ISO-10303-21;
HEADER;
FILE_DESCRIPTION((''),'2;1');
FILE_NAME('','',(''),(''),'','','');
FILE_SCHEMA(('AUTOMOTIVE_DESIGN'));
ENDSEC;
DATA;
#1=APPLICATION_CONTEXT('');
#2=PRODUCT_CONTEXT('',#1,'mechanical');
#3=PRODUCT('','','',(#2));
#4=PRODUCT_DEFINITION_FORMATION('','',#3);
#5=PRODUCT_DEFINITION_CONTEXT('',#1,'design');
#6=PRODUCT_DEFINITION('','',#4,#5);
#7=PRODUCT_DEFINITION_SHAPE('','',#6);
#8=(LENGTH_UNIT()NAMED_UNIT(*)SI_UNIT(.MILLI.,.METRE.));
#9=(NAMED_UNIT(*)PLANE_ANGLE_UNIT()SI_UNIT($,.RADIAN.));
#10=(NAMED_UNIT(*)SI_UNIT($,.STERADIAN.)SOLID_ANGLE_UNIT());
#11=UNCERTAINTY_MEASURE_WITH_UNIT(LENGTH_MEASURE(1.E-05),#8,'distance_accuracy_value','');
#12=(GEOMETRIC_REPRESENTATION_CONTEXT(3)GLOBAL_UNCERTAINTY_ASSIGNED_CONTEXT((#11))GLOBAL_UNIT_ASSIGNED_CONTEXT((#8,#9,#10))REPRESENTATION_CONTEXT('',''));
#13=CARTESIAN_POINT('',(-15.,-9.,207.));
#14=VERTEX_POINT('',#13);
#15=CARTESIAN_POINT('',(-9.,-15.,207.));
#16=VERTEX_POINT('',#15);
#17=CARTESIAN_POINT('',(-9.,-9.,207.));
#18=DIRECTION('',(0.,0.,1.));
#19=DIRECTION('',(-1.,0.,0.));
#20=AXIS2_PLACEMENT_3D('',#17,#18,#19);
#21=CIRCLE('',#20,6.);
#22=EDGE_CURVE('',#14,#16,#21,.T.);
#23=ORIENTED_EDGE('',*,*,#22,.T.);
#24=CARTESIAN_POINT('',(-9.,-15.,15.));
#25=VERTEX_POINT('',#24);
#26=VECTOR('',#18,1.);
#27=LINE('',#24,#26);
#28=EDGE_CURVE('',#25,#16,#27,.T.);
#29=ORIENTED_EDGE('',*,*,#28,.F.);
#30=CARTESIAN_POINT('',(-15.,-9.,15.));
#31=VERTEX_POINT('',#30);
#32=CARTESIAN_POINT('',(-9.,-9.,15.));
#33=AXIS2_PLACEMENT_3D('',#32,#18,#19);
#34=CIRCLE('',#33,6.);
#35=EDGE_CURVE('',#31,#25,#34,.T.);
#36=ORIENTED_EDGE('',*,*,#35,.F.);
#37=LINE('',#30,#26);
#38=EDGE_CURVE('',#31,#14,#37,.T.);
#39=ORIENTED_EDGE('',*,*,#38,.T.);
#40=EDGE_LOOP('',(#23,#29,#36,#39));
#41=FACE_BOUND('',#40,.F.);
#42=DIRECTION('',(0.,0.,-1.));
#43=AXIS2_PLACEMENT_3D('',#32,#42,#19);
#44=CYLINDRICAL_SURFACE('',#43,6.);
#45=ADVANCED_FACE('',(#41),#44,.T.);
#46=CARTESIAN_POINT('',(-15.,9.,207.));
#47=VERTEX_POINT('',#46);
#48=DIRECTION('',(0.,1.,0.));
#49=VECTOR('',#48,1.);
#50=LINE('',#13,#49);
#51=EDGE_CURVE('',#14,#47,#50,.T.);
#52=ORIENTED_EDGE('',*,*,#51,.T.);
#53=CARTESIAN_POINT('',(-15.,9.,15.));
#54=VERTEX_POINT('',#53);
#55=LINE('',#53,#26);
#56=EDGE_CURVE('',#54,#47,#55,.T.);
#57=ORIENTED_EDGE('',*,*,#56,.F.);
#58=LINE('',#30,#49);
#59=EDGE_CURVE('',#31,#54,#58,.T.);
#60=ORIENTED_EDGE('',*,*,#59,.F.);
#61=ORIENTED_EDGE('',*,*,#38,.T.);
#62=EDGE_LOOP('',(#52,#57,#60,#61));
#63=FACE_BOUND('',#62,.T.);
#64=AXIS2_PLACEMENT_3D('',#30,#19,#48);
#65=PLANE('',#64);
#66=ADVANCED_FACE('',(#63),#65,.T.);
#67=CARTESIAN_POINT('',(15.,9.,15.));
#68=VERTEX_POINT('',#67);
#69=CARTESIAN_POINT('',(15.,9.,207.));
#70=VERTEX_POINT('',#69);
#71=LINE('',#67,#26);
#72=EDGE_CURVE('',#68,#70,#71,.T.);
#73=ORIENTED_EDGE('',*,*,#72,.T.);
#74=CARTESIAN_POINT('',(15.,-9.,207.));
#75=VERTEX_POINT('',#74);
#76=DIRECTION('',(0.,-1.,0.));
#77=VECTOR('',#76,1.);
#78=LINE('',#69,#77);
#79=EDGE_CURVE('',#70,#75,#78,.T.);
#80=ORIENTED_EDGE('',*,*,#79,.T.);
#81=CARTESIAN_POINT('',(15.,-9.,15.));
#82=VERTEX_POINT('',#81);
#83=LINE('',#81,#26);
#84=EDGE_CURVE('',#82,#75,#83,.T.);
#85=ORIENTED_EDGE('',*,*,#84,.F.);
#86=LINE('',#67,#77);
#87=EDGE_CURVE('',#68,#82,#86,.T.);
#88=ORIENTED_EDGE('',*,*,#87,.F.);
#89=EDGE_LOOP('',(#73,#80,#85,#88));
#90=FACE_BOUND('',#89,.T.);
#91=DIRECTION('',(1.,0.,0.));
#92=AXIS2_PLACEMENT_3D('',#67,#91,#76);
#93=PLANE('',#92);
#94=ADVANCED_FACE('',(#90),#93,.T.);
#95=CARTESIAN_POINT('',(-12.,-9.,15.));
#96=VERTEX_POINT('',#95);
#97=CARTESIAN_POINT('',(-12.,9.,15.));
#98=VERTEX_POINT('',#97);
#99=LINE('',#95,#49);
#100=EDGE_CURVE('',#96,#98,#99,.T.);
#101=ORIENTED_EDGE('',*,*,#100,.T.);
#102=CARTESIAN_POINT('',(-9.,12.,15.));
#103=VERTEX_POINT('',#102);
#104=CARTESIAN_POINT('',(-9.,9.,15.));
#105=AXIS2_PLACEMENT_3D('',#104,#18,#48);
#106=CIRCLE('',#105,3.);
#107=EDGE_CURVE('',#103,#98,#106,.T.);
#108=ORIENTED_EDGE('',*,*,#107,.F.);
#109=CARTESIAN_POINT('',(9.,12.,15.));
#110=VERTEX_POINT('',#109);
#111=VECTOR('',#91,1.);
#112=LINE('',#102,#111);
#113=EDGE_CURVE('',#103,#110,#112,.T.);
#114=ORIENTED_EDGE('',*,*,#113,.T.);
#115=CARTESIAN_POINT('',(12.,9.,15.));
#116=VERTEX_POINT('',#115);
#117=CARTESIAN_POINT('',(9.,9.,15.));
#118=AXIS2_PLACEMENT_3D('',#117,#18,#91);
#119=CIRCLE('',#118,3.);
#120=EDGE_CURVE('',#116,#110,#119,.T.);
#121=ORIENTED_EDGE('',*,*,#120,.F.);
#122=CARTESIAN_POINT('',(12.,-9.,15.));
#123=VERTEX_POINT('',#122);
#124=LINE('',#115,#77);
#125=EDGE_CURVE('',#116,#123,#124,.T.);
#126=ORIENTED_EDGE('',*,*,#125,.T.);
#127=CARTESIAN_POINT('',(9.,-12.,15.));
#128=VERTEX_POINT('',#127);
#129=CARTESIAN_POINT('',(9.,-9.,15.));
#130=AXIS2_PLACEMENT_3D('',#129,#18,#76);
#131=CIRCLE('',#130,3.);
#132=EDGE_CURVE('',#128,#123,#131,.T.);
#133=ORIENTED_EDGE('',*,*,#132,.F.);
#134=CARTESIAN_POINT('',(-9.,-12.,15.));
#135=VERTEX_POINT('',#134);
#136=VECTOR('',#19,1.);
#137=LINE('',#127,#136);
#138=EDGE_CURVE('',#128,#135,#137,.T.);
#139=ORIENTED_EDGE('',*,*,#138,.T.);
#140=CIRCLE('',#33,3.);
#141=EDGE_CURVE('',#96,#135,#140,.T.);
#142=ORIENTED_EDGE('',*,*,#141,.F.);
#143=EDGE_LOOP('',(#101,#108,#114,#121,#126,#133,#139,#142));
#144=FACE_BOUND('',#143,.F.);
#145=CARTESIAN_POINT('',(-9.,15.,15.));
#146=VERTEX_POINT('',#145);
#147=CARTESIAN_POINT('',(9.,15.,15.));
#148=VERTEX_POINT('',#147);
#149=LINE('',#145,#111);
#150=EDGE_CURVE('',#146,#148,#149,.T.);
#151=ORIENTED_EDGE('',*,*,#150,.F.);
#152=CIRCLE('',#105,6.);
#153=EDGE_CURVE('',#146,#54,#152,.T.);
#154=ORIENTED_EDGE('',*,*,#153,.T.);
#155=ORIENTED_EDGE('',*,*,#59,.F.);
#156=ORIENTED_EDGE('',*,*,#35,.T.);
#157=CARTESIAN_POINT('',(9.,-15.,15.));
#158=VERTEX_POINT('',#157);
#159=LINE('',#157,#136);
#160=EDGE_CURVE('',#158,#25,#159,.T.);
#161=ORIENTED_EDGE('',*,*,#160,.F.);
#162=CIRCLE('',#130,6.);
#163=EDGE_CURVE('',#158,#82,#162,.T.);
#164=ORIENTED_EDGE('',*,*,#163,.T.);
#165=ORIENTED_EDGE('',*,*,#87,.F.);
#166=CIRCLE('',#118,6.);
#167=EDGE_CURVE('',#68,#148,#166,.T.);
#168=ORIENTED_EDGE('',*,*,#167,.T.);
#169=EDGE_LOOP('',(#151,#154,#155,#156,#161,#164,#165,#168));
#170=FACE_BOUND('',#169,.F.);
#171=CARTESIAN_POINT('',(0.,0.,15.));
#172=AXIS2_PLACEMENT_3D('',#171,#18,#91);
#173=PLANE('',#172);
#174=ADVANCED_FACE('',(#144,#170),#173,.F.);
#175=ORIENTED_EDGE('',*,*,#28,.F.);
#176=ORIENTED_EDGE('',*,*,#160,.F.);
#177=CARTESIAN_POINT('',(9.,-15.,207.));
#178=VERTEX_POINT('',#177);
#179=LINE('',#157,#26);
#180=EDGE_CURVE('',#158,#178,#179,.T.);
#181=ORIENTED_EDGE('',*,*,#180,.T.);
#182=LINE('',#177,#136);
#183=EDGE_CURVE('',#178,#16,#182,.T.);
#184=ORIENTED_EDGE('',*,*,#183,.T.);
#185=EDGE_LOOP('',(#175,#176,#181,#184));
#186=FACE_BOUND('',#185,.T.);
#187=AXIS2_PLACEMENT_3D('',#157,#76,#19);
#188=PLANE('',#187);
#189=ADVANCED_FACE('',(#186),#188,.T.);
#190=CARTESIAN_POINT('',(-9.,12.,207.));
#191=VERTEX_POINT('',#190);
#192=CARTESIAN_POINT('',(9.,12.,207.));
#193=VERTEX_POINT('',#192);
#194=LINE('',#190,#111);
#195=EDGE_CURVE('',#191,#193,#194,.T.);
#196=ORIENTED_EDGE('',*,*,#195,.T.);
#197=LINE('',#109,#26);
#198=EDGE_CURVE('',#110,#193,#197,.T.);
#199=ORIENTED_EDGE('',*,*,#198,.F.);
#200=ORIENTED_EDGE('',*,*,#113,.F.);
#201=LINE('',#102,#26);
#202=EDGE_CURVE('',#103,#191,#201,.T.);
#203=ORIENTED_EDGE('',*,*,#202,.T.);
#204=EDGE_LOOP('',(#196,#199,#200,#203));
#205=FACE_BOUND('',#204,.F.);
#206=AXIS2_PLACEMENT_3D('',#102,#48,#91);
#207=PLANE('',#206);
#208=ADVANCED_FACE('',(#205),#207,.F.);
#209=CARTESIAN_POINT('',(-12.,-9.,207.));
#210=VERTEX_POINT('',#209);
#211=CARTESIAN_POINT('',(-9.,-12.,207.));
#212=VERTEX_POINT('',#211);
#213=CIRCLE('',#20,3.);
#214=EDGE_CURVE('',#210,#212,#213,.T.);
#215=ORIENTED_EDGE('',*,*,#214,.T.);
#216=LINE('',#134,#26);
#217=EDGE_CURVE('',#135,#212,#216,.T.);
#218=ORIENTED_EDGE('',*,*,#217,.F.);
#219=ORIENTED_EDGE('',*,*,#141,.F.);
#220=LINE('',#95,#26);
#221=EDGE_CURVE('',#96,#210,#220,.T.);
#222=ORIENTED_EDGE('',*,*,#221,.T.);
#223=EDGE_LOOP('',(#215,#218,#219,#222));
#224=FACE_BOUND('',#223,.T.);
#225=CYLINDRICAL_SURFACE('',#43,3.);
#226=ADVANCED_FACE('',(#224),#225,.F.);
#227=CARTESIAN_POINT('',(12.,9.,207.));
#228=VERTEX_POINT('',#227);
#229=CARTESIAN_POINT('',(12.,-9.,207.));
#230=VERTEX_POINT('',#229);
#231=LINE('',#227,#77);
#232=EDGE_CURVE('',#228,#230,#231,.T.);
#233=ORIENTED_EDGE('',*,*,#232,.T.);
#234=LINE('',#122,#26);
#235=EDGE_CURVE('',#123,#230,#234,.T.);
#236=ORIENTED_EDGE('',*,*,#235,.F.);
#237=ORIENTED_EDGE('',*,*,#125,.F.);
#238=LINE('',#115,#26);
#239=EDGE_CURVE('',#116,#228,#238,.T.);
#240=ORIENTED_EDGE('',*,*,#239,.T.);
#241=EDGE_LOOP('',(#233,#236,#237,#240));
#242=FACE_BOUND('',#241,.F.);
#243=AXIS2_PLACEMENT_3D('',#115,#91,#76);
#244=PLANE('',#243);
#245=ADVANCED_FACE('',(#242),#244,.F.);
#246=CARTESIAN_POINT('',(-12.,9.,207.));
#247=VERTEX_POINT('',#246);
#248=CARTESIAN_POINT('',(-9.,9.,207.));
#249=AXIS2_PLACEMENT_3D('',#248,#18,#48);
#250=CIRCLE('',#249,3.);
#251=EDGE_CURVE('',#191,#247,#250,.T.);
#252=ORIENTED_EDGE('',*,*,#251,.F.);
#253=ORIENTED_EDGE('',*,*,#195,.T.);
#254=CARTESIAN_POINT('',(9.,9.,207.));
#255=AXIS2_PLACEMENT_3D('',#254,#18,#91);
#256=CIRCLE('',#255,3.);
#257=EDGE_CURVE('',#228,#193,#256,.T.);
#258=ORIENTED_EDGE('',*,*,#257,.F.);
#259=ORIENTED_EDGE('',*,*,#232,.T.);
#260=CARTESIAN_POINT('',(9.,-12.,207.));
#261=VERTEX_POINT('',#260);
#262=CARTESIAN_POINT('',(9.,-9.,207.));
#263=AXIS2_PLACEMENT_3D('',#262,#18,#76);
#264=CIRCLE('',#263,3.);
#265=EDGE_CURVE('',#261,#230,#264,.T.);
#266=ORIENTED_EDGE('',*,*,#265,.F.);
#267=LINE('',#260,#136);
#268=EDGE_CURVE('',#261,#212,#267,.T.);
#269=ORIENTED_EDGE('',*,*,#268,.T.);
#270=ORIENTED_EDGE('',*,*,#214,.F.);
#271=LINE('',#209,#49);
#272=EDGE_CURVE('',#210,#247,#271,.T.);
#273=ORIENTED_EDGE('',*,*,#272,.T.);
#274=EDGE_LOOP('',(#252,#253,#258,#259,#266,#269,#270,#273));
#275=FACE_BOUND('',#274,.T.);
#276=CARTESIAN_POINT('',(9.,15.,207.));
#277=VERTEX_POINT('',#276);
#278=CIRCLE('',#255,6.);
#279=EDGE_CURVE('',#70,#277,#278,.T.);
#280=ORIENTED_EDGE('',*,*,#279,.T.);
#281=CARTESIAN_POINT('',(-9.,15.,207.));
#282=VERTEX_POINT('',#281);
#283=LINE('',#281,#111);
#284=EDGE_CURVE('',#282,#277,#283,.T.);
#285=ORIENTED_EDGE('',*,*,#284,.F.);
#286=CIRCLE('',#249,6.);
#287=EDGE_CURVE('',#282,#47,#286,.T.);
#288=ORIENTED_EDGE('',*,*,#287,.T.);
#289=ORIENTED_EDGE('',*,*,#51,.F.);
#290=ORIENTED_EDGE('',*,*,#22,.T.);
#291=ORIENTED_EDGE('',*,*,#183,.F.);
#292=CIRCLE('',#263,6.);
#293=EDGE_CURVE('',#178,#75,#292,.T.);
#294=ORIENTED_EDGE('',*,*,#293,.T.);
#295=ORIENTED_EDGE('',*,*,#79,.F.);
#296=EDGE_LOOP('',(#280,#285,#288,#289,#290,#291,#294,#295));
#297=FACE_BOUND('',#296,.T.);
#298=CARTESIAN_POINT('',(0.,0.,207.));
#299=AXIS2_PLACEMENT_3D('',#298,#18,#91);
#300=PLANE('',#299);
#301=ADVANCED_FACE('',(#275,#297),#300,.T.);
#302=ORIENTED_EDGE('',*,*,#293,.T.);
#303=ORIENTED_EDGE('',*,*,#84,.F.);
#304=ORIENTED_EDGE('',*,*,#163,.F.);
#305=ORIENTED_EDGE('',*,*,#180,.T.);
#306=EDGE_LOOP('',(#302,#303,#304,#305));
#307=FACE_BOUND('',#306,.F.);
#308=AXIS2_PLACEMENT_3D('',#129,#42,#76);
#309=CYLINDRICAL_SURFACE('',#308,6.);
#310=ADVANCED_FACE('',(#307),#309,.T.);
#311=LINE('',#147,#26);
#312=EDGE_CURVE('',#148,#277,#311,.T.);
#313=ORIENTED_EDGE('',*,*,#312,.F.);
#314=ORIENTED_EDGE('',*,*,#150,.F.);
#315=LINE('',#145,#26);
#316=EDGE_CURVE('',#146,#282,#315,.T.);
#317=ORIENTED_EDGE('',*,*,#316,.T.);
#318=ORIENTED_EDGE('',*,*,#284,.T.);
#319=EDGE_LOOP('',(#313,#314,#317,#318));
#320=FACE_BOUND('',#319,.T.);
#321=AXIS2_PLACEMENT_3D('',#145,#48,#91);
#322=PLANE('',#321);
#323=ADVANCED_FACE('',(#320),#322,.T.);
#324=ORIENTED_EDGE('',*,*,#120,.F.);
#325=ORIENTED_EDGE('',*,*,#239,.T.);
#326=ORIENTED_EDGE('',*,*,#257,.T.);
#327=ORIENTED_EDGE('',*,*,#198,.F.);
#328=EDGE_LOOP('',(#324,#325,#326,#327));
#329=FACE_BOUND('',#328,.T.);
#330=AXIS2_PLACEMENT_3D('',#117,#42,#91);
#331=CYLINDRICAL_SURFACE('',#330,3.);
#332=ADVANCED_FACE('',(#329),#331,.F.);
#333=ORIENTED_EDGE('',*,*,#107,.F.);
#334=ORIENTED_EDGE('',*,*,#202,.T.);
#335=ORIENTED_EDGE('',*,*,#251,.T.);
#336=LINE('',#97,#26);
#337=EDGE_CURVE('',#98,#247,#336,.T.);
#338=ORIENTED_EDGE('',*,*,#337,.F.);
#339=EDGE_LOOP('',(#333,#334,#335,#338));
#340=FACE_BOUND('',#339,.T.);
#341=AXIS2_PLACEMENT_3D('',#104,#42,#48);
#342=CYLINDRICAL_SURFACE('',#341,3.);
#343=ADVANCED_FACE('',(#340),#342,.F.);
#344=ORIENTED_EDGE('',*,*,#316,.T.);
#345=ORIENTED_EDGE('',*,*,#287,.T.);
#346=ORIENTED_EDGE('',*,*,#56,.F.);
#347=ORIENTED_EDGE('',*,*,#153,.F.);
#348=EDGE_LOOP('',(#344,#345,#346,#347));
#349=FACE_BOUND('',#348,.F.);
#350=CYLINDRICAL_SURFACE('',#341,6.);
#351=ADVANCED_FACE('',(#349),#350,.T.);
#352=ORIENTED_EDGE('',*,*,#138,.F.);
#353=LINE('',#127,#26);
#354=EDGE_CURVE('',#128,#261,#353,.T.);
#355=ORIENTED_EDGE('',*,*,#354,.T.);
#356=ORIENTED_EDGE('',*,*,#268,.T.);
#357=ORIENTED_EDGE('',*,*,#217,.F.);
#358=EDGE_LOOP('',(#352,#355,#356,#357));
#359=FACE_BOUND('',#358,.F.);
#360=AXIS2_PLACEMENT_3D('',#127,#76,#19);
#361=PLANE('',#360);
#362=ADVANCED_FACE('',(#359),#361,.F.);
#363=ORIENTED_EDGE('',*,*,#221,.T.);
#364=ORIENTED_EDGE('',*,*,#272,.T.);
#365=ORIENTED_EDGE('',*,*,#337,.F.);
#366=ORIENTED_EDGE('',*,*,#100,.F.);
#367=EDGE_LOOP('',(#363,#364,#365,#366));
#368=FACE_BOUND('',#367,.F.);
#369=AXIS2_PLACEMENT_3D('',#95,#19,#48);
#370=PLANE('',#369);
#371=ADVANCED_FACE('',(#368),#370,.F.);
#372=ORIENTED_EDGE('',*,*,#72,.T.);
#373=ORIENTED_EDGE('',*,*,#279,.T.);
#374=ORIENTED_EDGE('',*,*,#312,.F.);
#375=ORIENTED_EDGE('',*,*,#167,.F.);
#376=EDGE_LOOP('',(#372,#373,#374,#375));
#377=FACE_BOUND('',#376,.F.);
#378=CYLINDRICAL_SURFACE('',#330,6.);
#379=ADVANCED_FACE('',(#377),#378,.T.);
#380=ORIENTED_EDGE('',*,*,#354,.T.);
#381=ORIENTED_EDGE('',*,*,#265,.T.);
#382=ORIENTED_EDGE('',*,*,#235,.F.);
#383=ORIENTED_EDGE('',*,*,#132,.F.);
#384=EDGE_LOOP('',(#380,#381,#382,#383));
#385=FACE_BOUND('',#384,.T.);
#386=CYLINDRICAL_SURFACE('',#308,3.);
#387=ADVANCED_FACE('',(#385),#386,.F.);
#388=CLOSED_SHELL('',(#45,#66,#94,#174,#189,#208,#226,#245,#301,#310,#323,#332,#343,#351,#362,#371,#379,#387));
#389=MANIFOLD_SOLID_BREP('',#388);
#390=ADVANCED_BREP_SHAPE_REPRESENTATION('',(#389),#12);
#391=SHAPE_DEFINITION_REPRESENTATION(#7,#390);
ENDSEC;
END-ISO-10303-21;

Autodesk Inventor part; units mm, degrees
ref_plane "Start Plane" through (0, 0, 15) normal (0, 0, 1) x (1, 0, 0)
ref_plane "End Plane" through (0, 0, 207) normal (0, 0, 1) x (1, 0, 0)
sketch "Sketch" plane through (0, 0, 0) normal (0, 0, 1) x (1, 0, 0)
  line L0 (-15, -9) -> (-15, 9)
  line L1 (-9, 15) -> (9, 15)
  line L2 (15, 9) -> (15, -9)
  line L3 (9, -15) -> (-9, -15)
  arc A0 (-15, -9) -> (-9, -15) centre (-9, -9) ccw
  arc A1 (-9, 15) -> (-15, 9) centre (-9, 9) ccw
  arc A2 (15, 9) -> (9, 15) centre (9, 9) ccw
  arc A3 (9, -15) -> (15, -9) centre (9, -9) ccw
  arc A4 (-9, 12) -> (-12, 9) centre (-9, 9) ccw
  line L4 (-9, 12) -> (9, 12)
  arc A5 (12, 9) -> (9, 12) centre (9, 9) ccw
  line L5 (12, 9) -> (12, -9)
  arc A6 (9, -12) -> (12, -9) centre (9, -9) ccw
  line L6 (9, -12) -> (-9, -12)
  arc A7 (-12, -9) -> (-9, -12) centre (-9, -9) ccw
  line L7 (-12, -9) -> (-12, 9)
  line L8 (0, 22.7397) -> (0, -22.7397) construction
  line L9 (-22.7397, 0) -> (22.7397, 0) construction
  dimension "d7" = 6
  dimension "d10" = 30
  dimension "d11" = 30
  dimension "d12" = 3
  dimension "d15" = 15
  dimension "d16" = 15
extrude "Body" add sketch "Sketch" along normal up to surface (192 mm away) from surface at 15
sketch "Sketch3" plane through (0, 0, 0) normal (0, 0, 1) x (1, 0, 0)
  line L0 (0, 0) -> (10, 0)
ref_plane "Work Plane3" through (0, 0, 0) normal (0, -1, 0) x (1, 0, 0)
ref_plane "Work Plane4" through (-9, -370, 15) normal (0, 0, -1) x (-1, 0, 0)
split "Split1" plane through (-9, -370, 15) removes the side toward (0, 0, -1)
ref_plane "Work Plane5" through (-9, 130, 207) normal (0, 0, 1) x (1, 0, 0)
split "Split2" plane through (-9, 130, 207) removes the side toward (0, 0, 1)
sketch "Sketch4" plane through (0, 0, 0) normal (0, -1, 0) x (1, 0, 0)
  line L0 (-2, 15) -> (12, 15) projected
  line L1 (-2, 207) -> (12, 207) projected
  dimension "d18" = 192
equation "\"d7\" = G_IR"
equation "\"d10\" = G_H"
equation "\"d11\" = G_W"
equation "\"d12\" = G_T"
equation "\"d15\" = 0.5 * d10"
equation "\"d16\" = 0.5 * d11"
equation "\"d3\" = G_L"
equation "\"G_W\" = 30"
equation "\"G_H\" = 30"
equation "\"G_T\" = 3"
equation "\"G_IR\" = 6"
equation "\"G_L\" = d18"
equation "\"G_OFFSET_START\" = -15"
equation "\"G_OFFSET_END\" = -15"
equation "\"d13\" = -G_OFFSET_START"
equation "\"d14\" = G_OFFSET_END + B_L"
equation "\"B_L\" = 222"
properties part number "DIN EN 10219-2 - 30 x 30 x 3  - 192" material "Steel, Mild"
